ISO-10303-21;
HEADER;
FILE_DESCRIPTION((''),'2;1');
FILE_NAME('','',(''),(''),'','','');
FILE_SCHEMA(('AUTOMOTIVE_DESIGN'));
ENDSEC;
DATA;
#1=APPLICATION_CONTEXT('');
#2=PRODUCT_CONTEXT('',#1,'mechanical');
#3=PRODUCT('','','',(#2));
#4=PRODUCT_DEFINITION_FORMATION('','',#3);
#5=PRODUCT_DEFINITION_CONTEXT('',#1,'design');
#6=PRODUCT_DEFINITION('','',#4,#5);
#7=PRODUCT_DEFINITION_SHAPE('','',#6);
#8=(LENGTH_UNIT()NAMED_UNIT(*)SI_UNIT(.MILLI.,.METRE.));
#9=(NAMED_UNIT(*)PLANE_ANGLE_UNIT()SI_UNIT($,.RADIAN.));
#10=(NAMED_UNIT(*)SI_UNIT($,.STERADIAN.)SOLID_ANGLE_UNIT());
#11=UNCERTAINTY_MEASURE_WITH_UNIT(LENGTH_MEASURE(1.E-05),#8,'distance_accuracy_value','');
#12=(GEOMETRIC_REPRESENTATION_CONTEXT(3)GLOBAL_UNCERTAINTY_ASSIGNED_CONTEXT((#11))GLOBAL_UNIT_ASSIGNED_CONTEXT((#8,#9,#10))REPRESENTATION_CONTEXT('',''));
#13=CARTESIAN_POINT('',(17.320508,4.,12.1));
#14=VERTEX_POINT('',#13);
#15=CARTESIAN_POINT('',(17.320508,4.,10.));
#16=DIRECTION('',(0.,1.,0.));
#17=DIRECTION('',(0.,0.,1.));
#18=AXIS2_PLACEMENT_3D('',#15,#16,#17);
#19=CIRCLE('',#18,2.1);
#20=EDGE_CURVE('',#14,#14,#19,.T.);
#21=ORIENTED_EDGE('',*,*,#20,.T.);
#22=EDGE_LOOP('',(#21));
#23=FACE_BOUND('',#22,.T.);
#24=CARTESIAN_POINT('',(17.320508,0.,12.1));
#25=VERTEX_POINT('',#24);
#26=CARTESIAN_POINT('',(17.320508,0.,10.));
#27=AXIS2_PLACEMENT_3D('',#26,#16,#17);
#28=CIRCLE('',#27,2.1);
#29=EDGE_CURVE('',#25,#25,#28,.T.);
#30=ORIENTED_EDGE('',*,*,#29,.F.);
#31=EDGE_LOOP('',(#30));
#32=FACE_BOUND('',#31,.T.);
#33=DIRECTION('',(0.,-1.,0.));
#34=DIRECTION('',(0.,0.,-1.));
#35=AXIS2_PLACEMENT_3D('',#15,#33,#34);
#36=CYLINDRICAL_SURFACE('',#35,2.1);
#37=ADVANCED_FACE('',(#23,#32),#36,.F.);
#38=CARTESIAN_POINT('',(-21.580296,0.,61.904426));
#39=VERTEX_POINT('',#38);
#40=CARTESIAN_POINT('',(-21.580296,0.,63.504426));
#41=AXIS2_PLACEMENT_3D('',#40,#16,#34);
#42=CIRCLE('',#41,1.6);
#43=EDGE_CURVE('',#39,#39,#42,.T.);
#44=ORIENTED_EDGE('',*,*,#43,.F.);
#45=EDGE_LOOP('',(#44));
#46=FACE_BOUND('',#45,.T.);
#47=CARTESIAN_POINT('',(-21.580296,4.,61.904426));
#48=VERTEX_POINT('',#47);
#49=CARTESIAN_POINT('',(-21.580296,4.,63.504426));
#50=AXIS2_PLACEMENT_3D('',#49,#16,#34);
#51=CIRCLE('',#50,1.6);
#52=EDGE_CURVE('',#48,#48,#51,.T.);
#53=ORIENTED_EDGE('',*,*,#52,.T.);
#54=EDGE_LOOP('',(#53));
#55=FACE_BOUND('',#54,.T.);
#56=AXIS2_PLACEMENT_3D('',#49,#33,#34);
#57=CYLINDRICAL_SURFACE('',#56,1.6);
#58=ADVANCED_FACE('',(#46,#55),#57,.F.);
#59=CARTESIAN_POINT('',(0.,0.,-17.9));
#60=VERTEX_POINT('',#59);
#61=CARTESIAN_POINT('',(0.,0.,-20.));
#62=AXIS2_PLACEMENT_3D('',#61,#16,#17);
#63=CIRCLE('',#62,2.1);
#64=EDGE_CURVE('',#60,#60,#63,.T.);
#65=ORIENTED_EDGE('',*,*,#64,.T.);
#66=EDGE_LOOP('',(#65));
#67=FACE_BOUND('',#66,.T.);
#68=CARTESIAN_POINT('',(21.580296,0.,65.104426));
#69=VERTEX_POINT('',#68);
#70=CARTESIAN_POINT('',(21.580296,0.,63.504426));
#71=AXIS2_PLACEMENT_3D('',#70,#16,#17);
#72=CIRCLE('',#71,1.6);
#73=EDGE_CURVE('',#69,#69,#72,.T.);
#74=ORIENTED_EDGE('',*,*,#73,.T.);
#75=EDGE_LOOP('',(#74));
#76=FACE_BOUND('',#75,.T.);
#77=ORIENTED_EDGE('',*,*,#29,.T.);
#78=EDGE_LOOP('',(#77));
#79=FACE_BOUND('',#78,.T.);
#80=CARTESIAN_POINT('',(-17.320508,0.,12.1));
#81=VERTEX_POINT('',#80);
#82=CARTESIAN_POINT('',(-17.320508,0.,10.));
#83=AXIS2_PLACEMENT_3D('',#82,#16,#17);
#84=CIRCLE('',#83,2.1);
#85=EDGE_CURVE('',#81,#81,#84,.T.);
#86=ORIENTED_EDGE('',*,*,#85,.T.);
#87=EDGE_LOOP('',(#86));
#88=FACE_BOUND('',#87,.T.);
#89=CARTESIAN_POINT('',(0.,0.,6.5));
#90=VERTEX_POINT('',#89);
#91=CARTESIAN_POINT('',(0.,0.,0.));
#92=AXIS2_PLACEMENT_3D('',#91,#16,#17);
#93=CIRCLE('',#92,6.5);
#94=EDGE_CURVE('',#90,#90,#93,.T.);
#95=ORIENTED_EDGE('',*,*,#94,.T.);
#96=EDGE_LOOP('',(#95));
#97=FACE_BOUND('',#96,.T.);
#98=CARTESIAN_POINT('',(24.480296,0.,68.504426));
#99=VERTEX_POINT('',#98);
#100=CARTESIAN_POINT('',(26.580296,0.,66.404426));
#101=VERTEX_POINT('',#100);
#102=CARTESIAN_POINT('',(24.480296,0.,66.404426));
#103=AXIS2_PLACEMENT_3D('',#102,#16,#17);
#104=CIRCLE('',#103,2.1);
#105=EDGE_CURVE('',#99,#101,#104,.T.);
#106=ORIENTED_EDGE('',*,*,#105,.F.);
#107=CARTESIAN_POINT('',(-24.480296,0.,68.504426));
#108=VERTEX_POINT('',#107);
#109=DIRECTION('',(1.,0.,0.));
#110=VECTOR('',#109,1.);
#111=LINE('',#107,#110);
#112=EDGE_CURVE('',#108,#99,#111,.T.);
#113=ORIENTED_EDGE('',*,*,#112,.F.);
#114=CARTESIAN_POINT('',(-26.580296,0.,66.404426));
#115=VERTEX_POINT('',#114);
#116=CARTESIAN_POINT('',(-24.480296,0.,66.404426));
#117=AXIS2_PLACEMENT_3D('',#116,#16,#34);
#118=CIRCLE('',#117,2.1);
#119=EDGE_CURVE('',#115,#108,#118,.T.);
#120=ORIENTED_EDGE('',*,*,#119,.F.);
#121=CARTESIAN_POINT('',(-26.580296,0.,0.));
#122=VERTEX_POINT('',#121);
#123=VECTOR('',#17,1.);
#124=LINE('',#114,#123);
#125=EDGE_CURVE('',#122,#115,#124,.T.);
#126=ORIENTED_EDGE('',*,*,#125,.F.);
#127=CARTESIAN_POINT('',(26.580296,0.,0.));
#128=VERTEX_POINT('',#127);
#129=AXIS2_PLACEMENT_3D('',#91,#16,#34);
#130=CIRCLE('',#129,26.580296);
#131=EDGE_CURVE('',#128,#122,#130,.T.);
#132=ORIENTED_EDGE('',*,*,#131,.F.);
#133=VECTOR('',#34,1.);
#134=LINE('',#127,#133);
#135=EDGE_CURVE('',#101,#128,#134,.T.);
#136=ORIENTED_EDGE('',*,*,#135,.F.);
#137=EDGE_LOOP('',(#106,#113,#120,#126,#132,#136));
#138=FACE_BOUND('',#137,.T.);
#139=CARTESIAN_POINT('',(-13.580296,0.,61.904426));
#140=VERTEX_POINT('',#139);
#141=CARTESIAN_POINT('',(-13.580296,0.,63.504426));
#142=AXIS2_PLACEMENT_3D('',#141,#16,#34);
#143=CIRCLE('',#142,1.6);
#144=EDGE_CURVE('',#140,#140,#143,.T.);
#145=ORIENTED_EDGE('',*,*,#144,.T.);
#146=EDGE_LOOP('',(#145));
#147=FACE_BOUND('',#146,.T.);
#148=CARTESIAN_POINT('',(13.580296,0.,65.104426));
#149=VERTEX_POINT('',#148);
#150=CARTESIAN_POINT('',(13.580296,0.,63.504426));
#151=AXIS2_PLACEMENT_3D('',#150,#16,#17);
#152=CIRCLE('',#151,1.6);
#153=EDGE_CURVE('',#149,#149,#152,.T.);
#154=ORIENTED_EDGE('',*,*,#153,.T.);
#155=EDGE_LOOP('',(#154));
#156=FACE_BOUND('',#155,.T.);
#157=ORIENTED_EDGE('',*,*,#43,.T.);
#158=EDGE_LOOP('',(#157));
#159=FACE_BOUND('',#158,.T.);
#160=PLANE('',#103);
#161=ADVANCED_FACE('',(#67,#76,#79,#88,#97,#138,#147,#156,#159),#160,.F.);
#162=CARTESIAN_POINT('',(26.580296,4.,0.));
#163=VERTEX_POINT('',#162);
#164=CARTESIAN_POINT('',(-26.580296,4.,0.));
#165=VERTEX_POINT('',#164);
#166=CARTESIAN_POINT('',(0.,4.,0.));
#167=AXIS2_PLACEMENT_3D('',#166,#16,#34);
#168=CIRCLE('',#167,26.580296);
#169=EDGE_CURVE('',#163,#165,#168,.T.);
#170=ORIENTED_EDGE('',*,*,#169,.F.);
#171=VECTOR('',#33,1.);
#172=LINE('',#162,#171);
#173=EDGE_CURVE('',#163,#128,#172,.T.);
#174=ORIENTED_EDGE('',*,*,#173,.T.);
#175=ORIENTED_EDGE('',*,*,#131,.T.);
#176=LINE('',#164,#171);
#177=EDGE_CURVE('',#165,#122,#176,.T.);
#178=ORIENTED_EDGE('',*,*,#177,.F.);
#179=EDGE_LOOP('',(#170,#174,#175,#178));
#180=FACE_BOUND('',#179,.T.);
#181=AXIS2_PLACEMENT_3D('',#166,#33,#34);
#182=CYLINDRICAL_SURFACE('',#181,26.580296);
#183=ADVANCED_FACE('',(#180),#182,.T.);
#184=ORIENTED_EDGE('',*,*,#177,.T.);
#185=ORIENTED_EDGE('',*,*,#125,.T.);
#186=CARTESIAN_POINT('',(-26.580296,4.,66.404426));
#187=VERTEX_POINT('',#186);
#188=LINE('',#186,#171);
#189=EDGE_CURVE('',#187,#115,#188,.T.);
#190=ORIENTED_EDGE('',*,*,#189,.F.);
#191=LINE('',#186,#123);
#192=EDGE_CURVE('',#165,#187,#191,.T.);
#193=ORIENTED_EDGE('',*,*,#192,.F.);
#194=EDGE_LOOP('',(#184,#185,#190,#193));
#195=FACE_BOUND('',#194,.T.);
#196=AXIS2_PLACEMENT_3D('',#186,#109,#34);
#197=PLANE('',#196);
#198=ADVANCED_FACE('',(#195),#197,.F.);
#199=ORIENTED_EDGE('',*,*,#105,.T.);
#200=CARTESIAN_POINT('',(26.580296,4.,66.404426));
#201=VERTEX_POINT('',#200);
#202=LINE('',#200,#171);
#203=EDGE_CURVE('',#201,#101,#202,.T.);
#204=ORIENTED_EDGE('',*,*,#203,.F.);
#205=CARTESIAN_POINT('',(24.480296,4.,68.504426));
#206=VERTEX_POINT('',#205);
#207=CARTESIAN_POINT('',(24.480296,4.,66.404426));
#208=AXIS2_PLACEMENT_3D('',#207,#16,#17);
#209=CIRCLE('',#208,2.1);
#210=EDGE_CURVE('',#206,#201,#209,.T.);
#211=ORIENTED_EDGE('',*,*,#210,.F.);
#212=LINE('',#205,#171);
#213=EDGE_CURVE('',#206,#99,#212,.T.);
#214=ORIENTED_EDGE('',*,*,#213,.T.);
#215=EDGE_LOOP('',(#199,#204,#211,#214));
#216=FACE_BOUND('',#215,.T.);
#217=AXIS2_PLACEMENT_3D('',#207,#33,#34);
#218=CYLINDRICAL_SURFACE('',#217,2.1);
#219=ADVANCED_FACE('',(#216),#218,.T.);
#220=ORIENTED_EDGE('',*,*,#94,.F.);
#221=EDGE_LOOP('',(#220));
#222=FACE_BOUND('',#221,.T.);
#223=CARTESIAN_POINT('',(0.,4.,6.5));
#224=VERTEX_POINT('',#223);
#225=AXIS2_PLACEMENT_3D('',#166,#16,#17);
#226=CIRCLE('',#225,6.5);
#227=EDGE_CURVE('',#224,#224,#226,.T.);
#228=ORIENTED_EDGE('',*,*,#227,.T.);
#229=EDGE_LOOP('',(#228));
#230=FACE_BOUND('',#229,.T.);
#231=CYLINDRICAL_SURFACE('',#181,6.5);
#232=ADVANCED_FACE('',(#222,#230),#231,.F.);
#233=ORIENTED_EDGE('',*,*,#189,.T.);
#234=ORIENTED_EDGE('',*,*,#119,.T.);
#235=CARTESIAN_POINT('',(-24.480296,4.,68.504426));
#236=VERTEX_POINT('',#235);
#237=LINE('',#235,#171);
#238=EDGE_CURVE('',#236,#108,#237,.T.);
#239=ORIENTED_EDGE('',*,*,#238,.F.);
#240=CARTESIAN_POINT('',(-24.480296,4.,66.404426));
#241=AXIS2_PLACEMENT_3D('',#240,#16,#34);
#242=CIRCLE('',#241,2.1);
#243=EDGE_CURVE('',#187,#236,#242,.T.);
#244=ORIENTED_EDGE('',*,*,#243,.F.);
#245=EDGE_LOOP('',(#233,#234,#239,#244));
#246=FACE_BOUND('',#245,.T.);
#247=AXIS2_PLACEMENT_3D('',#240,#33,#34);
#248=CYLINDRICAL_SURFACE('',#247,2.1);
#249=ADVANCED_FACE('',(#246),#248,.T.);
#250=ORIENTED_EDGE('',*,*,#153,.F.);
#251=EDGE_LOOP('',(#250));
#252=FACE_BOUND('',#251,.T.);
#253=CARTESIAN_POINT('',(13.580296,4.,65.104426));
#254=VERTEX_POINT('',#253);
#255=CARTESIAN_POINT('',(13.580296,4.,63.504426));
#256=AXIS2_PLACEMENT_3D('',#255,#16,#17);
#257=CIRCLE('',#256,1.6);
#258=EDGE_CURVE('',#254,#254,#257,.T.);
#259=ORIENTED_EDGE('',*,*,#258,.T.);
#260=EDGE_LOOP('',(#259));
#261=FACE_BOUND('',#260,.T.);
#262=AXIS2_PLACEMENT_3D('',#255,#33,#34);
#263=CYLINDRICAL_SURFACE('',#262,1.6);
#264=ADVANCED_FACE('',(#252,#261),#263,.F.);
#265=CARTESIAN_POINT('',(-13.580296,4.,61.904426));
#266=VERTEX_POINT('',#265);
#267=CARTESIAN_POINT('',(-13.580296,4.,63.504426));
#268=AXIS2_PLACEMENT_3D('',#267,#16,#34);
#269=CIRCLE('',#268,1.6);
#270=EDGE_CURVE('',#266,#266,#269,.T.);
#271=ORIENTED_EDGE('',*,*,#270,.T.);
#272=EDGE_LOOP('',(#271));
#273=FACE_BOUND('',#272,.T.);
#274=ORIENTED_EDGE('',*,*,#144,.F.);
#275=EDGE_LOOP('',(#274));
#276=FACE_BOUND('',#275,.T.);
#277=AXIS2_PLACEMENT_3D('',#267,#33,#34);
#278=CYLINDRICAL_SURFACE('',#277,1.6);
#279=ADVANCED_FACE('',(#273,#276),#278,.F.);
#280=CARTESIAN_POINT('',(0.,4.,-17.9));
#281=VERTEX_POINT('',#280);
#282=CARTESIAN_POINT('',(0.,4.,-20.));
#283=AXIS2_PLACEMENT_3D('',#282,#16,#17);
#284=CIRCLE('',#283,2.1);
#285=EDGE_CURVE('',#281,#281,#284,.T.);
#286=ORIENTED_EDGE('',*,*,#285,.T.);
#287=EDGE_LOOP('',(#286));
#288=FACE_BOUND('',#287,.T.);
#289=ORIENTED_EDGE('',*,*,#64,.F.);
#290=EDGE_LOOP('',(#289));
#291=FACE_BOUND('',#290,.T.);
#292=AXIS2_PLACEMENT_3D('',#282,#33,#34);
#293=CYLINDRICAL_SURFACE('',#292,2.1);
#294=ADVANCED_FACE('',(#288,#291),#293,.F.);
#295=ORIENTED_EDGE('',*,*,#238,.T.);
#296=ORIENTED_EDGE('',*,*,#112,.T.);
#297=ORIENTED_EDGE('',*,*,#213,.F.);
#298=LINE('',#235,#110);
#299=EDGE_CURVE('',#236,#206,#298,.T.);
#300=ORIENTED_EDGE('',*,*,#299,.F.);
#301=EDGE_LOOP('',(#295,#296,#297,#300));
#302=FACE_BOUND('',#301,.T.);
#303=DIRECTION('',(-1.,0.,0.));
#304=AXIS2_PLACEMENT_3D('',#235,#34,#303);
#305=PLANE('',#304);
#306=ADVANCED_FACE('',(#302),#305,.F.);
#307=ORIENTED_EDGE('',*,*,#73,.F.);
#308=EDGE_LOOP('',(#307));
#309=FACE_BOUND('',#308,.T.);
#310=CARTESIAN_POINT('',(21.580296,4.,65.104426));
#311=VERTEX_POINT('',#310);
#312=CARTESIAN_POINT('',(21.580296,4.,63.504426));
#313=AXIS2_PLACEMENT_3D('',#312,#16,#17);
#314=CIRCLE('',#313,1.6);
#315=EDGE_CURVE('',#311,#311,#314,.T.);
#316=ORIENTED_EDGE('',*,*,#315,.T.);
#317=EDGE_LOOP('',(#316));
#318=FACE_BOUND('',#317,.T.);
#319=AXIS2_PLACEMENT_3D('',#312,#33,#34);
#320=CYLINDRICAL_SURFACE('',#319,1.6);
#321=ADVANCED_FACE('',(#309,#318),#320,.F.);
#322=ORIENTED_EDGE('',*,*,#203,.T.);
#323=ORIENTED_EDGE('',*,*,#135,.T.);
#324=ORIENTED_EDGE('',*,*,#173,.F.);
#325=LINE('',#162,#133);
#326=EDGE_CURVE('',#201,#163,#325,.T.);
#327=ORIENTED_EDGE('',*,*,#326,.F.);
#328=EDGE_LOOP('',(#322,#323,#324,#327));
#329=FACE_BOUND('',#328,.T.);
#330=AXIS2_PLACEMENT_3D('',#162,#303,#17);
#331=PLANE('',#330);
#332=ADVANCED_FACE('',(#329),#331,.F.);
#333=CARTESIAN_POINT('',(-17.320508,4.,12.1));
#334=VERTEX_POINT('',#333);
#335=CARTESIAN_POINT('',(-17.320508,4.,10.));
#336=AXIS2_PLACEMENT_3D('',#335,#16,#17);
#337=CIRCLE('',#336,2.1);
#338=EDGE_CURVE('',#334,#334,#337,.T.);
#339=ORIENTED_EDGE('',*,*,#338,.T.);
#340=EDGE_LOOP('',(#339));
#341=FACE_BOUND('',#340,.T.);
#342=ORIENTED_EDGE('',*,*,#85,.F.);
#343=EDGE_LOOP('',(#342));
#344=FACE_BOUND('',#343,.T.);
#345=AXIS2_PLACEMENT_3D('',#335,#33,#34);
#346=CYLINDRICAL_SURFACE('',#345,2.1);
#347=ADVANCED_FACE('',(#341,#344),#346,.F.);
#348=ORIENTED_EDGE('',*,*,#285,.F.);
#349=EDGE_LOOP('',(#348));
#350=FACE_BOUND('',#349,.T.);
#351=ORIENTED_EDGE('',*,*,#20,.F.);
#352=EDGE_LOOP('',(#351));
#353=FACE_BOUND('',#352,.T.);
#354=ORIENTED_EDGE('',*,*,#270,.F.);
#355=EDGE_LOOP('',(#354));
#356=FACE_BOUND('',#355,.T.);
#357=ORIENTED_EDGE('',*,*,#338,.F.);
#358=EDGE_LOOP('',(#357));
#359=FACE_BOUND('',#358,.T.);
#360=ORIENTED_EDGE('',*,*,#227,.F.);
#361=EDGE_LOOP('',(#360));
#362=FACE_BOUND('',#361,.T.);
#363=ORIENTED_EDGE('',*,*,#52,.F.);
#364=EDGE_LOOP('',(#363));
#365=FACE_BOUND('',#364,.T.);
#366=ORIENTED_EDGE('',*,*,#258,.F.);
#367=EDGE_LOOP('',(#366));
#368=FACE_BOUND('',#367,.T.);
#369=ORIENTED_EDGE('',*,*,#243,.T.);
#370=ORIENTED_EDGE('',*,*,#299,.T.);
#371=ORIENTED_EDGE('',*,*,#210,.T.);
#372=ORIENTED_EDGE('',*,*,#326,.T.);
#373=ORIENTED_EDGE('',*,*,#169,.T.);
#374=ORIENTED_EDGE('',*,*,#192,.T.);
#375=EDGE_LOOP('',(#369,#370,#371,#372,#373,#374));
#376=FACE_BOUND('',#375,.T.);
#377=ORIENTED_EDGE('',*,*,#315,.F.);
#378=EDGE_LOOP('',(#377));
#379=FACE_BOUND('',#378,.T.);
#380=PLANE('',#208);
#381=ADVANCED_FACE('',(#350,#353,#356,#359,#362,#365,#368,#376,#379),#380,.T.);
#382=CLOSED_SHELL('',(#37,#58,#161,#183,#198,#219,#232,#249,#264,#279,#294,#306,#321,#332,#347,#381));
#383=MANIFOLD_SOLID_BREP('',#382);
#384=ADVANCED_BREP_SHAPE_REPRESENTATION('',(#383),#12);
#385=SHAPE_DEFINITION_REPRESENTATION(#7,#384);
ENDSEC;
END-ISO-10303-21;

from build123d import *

# Parameters (mm, degrees)
SKETCH_1_R      = 6.5
SKETCH_1_R_2    = 2.1
SKETCH_1_R_3    = 1.6
EXTRUDE_2_DEPTH = 4


with BuildPart() as part:
    # 草图1 → 凸台-拉伸2 (new body)
    with BuildSketch(Plane(origin=(0, 0, 0), x_dir=(1, 0, 0), z_dir=(0, 1, 0))):
        with BuildLine():
            Line((-26.580295873, -66.404426064), (-26.580295873, 0))
            ThreePointArc((-26.580295873, 0), (0, 26.580295873), (26.580295873, 0))
            Line((26.580295873, 0), (26.580295873, -66.404426064))
            ThreePointArc((26.580295873, -66.404426064), (25.965220113, -67.889350304), (24.480295873, -68.504426064))
            Line((24.480295873, -68.504426064), (-24.480295873, -68.504426064))
            ThreePointArc((-24.480295873, -68.504426064), (-25.965220113, -67.889350304), (-26.580295873, -66.404426064))
        make_face()
        with Locations(Location((0, 0, 0), (0, 0, 270))):
            Circle(SKETCH_1_R, mode=Mode.SUBTRACT)
        with Locations(Location((0, 20, 0), (0, 0, 270))):
            Circle(SKETCH_1_R_2, mode=Mode.SUBTRACT)
        with Locations(Location((-17.320508076, -10, 0), (0, 0, 270))):
            Circle(SKETCH_1_R_2, mode=Mode.SUBTRACT)
        with Locations(Location((17.32050808, -10, 0), (0, 0, 270))):
            Circle(SKETCH_1_R_2, mode=Mode.SUBTRACT)
        with Locations(Location((21.580295873, -63.504426064, 0), (0, 0, 270))):
            Circle(SKETCH_1_R_3, mode=Mode.SUBTRACT)
        with Locations(Location((13.580295873, -63.504426064, 0), (0, 0, 270))):
            Circle(SKETCH_1_R_3, mode=Mode.SUBTRACT)
        with Locations(Location((-13.580295873, -63.504426064, 0), (0, 0, 90))):
            Circle(SKETCH_1_R_3, mode=Mode.SUBTRACT)
        with Locations(Location((-21.580295873, -63.504426064, 0), (0, 0, 90))):
            Circle(SKETCH_1_R_3, mode=Mode.SUBTRACT)
    extrude(amount=EXTRUDE_2_DEPTH)


solid = part.part
